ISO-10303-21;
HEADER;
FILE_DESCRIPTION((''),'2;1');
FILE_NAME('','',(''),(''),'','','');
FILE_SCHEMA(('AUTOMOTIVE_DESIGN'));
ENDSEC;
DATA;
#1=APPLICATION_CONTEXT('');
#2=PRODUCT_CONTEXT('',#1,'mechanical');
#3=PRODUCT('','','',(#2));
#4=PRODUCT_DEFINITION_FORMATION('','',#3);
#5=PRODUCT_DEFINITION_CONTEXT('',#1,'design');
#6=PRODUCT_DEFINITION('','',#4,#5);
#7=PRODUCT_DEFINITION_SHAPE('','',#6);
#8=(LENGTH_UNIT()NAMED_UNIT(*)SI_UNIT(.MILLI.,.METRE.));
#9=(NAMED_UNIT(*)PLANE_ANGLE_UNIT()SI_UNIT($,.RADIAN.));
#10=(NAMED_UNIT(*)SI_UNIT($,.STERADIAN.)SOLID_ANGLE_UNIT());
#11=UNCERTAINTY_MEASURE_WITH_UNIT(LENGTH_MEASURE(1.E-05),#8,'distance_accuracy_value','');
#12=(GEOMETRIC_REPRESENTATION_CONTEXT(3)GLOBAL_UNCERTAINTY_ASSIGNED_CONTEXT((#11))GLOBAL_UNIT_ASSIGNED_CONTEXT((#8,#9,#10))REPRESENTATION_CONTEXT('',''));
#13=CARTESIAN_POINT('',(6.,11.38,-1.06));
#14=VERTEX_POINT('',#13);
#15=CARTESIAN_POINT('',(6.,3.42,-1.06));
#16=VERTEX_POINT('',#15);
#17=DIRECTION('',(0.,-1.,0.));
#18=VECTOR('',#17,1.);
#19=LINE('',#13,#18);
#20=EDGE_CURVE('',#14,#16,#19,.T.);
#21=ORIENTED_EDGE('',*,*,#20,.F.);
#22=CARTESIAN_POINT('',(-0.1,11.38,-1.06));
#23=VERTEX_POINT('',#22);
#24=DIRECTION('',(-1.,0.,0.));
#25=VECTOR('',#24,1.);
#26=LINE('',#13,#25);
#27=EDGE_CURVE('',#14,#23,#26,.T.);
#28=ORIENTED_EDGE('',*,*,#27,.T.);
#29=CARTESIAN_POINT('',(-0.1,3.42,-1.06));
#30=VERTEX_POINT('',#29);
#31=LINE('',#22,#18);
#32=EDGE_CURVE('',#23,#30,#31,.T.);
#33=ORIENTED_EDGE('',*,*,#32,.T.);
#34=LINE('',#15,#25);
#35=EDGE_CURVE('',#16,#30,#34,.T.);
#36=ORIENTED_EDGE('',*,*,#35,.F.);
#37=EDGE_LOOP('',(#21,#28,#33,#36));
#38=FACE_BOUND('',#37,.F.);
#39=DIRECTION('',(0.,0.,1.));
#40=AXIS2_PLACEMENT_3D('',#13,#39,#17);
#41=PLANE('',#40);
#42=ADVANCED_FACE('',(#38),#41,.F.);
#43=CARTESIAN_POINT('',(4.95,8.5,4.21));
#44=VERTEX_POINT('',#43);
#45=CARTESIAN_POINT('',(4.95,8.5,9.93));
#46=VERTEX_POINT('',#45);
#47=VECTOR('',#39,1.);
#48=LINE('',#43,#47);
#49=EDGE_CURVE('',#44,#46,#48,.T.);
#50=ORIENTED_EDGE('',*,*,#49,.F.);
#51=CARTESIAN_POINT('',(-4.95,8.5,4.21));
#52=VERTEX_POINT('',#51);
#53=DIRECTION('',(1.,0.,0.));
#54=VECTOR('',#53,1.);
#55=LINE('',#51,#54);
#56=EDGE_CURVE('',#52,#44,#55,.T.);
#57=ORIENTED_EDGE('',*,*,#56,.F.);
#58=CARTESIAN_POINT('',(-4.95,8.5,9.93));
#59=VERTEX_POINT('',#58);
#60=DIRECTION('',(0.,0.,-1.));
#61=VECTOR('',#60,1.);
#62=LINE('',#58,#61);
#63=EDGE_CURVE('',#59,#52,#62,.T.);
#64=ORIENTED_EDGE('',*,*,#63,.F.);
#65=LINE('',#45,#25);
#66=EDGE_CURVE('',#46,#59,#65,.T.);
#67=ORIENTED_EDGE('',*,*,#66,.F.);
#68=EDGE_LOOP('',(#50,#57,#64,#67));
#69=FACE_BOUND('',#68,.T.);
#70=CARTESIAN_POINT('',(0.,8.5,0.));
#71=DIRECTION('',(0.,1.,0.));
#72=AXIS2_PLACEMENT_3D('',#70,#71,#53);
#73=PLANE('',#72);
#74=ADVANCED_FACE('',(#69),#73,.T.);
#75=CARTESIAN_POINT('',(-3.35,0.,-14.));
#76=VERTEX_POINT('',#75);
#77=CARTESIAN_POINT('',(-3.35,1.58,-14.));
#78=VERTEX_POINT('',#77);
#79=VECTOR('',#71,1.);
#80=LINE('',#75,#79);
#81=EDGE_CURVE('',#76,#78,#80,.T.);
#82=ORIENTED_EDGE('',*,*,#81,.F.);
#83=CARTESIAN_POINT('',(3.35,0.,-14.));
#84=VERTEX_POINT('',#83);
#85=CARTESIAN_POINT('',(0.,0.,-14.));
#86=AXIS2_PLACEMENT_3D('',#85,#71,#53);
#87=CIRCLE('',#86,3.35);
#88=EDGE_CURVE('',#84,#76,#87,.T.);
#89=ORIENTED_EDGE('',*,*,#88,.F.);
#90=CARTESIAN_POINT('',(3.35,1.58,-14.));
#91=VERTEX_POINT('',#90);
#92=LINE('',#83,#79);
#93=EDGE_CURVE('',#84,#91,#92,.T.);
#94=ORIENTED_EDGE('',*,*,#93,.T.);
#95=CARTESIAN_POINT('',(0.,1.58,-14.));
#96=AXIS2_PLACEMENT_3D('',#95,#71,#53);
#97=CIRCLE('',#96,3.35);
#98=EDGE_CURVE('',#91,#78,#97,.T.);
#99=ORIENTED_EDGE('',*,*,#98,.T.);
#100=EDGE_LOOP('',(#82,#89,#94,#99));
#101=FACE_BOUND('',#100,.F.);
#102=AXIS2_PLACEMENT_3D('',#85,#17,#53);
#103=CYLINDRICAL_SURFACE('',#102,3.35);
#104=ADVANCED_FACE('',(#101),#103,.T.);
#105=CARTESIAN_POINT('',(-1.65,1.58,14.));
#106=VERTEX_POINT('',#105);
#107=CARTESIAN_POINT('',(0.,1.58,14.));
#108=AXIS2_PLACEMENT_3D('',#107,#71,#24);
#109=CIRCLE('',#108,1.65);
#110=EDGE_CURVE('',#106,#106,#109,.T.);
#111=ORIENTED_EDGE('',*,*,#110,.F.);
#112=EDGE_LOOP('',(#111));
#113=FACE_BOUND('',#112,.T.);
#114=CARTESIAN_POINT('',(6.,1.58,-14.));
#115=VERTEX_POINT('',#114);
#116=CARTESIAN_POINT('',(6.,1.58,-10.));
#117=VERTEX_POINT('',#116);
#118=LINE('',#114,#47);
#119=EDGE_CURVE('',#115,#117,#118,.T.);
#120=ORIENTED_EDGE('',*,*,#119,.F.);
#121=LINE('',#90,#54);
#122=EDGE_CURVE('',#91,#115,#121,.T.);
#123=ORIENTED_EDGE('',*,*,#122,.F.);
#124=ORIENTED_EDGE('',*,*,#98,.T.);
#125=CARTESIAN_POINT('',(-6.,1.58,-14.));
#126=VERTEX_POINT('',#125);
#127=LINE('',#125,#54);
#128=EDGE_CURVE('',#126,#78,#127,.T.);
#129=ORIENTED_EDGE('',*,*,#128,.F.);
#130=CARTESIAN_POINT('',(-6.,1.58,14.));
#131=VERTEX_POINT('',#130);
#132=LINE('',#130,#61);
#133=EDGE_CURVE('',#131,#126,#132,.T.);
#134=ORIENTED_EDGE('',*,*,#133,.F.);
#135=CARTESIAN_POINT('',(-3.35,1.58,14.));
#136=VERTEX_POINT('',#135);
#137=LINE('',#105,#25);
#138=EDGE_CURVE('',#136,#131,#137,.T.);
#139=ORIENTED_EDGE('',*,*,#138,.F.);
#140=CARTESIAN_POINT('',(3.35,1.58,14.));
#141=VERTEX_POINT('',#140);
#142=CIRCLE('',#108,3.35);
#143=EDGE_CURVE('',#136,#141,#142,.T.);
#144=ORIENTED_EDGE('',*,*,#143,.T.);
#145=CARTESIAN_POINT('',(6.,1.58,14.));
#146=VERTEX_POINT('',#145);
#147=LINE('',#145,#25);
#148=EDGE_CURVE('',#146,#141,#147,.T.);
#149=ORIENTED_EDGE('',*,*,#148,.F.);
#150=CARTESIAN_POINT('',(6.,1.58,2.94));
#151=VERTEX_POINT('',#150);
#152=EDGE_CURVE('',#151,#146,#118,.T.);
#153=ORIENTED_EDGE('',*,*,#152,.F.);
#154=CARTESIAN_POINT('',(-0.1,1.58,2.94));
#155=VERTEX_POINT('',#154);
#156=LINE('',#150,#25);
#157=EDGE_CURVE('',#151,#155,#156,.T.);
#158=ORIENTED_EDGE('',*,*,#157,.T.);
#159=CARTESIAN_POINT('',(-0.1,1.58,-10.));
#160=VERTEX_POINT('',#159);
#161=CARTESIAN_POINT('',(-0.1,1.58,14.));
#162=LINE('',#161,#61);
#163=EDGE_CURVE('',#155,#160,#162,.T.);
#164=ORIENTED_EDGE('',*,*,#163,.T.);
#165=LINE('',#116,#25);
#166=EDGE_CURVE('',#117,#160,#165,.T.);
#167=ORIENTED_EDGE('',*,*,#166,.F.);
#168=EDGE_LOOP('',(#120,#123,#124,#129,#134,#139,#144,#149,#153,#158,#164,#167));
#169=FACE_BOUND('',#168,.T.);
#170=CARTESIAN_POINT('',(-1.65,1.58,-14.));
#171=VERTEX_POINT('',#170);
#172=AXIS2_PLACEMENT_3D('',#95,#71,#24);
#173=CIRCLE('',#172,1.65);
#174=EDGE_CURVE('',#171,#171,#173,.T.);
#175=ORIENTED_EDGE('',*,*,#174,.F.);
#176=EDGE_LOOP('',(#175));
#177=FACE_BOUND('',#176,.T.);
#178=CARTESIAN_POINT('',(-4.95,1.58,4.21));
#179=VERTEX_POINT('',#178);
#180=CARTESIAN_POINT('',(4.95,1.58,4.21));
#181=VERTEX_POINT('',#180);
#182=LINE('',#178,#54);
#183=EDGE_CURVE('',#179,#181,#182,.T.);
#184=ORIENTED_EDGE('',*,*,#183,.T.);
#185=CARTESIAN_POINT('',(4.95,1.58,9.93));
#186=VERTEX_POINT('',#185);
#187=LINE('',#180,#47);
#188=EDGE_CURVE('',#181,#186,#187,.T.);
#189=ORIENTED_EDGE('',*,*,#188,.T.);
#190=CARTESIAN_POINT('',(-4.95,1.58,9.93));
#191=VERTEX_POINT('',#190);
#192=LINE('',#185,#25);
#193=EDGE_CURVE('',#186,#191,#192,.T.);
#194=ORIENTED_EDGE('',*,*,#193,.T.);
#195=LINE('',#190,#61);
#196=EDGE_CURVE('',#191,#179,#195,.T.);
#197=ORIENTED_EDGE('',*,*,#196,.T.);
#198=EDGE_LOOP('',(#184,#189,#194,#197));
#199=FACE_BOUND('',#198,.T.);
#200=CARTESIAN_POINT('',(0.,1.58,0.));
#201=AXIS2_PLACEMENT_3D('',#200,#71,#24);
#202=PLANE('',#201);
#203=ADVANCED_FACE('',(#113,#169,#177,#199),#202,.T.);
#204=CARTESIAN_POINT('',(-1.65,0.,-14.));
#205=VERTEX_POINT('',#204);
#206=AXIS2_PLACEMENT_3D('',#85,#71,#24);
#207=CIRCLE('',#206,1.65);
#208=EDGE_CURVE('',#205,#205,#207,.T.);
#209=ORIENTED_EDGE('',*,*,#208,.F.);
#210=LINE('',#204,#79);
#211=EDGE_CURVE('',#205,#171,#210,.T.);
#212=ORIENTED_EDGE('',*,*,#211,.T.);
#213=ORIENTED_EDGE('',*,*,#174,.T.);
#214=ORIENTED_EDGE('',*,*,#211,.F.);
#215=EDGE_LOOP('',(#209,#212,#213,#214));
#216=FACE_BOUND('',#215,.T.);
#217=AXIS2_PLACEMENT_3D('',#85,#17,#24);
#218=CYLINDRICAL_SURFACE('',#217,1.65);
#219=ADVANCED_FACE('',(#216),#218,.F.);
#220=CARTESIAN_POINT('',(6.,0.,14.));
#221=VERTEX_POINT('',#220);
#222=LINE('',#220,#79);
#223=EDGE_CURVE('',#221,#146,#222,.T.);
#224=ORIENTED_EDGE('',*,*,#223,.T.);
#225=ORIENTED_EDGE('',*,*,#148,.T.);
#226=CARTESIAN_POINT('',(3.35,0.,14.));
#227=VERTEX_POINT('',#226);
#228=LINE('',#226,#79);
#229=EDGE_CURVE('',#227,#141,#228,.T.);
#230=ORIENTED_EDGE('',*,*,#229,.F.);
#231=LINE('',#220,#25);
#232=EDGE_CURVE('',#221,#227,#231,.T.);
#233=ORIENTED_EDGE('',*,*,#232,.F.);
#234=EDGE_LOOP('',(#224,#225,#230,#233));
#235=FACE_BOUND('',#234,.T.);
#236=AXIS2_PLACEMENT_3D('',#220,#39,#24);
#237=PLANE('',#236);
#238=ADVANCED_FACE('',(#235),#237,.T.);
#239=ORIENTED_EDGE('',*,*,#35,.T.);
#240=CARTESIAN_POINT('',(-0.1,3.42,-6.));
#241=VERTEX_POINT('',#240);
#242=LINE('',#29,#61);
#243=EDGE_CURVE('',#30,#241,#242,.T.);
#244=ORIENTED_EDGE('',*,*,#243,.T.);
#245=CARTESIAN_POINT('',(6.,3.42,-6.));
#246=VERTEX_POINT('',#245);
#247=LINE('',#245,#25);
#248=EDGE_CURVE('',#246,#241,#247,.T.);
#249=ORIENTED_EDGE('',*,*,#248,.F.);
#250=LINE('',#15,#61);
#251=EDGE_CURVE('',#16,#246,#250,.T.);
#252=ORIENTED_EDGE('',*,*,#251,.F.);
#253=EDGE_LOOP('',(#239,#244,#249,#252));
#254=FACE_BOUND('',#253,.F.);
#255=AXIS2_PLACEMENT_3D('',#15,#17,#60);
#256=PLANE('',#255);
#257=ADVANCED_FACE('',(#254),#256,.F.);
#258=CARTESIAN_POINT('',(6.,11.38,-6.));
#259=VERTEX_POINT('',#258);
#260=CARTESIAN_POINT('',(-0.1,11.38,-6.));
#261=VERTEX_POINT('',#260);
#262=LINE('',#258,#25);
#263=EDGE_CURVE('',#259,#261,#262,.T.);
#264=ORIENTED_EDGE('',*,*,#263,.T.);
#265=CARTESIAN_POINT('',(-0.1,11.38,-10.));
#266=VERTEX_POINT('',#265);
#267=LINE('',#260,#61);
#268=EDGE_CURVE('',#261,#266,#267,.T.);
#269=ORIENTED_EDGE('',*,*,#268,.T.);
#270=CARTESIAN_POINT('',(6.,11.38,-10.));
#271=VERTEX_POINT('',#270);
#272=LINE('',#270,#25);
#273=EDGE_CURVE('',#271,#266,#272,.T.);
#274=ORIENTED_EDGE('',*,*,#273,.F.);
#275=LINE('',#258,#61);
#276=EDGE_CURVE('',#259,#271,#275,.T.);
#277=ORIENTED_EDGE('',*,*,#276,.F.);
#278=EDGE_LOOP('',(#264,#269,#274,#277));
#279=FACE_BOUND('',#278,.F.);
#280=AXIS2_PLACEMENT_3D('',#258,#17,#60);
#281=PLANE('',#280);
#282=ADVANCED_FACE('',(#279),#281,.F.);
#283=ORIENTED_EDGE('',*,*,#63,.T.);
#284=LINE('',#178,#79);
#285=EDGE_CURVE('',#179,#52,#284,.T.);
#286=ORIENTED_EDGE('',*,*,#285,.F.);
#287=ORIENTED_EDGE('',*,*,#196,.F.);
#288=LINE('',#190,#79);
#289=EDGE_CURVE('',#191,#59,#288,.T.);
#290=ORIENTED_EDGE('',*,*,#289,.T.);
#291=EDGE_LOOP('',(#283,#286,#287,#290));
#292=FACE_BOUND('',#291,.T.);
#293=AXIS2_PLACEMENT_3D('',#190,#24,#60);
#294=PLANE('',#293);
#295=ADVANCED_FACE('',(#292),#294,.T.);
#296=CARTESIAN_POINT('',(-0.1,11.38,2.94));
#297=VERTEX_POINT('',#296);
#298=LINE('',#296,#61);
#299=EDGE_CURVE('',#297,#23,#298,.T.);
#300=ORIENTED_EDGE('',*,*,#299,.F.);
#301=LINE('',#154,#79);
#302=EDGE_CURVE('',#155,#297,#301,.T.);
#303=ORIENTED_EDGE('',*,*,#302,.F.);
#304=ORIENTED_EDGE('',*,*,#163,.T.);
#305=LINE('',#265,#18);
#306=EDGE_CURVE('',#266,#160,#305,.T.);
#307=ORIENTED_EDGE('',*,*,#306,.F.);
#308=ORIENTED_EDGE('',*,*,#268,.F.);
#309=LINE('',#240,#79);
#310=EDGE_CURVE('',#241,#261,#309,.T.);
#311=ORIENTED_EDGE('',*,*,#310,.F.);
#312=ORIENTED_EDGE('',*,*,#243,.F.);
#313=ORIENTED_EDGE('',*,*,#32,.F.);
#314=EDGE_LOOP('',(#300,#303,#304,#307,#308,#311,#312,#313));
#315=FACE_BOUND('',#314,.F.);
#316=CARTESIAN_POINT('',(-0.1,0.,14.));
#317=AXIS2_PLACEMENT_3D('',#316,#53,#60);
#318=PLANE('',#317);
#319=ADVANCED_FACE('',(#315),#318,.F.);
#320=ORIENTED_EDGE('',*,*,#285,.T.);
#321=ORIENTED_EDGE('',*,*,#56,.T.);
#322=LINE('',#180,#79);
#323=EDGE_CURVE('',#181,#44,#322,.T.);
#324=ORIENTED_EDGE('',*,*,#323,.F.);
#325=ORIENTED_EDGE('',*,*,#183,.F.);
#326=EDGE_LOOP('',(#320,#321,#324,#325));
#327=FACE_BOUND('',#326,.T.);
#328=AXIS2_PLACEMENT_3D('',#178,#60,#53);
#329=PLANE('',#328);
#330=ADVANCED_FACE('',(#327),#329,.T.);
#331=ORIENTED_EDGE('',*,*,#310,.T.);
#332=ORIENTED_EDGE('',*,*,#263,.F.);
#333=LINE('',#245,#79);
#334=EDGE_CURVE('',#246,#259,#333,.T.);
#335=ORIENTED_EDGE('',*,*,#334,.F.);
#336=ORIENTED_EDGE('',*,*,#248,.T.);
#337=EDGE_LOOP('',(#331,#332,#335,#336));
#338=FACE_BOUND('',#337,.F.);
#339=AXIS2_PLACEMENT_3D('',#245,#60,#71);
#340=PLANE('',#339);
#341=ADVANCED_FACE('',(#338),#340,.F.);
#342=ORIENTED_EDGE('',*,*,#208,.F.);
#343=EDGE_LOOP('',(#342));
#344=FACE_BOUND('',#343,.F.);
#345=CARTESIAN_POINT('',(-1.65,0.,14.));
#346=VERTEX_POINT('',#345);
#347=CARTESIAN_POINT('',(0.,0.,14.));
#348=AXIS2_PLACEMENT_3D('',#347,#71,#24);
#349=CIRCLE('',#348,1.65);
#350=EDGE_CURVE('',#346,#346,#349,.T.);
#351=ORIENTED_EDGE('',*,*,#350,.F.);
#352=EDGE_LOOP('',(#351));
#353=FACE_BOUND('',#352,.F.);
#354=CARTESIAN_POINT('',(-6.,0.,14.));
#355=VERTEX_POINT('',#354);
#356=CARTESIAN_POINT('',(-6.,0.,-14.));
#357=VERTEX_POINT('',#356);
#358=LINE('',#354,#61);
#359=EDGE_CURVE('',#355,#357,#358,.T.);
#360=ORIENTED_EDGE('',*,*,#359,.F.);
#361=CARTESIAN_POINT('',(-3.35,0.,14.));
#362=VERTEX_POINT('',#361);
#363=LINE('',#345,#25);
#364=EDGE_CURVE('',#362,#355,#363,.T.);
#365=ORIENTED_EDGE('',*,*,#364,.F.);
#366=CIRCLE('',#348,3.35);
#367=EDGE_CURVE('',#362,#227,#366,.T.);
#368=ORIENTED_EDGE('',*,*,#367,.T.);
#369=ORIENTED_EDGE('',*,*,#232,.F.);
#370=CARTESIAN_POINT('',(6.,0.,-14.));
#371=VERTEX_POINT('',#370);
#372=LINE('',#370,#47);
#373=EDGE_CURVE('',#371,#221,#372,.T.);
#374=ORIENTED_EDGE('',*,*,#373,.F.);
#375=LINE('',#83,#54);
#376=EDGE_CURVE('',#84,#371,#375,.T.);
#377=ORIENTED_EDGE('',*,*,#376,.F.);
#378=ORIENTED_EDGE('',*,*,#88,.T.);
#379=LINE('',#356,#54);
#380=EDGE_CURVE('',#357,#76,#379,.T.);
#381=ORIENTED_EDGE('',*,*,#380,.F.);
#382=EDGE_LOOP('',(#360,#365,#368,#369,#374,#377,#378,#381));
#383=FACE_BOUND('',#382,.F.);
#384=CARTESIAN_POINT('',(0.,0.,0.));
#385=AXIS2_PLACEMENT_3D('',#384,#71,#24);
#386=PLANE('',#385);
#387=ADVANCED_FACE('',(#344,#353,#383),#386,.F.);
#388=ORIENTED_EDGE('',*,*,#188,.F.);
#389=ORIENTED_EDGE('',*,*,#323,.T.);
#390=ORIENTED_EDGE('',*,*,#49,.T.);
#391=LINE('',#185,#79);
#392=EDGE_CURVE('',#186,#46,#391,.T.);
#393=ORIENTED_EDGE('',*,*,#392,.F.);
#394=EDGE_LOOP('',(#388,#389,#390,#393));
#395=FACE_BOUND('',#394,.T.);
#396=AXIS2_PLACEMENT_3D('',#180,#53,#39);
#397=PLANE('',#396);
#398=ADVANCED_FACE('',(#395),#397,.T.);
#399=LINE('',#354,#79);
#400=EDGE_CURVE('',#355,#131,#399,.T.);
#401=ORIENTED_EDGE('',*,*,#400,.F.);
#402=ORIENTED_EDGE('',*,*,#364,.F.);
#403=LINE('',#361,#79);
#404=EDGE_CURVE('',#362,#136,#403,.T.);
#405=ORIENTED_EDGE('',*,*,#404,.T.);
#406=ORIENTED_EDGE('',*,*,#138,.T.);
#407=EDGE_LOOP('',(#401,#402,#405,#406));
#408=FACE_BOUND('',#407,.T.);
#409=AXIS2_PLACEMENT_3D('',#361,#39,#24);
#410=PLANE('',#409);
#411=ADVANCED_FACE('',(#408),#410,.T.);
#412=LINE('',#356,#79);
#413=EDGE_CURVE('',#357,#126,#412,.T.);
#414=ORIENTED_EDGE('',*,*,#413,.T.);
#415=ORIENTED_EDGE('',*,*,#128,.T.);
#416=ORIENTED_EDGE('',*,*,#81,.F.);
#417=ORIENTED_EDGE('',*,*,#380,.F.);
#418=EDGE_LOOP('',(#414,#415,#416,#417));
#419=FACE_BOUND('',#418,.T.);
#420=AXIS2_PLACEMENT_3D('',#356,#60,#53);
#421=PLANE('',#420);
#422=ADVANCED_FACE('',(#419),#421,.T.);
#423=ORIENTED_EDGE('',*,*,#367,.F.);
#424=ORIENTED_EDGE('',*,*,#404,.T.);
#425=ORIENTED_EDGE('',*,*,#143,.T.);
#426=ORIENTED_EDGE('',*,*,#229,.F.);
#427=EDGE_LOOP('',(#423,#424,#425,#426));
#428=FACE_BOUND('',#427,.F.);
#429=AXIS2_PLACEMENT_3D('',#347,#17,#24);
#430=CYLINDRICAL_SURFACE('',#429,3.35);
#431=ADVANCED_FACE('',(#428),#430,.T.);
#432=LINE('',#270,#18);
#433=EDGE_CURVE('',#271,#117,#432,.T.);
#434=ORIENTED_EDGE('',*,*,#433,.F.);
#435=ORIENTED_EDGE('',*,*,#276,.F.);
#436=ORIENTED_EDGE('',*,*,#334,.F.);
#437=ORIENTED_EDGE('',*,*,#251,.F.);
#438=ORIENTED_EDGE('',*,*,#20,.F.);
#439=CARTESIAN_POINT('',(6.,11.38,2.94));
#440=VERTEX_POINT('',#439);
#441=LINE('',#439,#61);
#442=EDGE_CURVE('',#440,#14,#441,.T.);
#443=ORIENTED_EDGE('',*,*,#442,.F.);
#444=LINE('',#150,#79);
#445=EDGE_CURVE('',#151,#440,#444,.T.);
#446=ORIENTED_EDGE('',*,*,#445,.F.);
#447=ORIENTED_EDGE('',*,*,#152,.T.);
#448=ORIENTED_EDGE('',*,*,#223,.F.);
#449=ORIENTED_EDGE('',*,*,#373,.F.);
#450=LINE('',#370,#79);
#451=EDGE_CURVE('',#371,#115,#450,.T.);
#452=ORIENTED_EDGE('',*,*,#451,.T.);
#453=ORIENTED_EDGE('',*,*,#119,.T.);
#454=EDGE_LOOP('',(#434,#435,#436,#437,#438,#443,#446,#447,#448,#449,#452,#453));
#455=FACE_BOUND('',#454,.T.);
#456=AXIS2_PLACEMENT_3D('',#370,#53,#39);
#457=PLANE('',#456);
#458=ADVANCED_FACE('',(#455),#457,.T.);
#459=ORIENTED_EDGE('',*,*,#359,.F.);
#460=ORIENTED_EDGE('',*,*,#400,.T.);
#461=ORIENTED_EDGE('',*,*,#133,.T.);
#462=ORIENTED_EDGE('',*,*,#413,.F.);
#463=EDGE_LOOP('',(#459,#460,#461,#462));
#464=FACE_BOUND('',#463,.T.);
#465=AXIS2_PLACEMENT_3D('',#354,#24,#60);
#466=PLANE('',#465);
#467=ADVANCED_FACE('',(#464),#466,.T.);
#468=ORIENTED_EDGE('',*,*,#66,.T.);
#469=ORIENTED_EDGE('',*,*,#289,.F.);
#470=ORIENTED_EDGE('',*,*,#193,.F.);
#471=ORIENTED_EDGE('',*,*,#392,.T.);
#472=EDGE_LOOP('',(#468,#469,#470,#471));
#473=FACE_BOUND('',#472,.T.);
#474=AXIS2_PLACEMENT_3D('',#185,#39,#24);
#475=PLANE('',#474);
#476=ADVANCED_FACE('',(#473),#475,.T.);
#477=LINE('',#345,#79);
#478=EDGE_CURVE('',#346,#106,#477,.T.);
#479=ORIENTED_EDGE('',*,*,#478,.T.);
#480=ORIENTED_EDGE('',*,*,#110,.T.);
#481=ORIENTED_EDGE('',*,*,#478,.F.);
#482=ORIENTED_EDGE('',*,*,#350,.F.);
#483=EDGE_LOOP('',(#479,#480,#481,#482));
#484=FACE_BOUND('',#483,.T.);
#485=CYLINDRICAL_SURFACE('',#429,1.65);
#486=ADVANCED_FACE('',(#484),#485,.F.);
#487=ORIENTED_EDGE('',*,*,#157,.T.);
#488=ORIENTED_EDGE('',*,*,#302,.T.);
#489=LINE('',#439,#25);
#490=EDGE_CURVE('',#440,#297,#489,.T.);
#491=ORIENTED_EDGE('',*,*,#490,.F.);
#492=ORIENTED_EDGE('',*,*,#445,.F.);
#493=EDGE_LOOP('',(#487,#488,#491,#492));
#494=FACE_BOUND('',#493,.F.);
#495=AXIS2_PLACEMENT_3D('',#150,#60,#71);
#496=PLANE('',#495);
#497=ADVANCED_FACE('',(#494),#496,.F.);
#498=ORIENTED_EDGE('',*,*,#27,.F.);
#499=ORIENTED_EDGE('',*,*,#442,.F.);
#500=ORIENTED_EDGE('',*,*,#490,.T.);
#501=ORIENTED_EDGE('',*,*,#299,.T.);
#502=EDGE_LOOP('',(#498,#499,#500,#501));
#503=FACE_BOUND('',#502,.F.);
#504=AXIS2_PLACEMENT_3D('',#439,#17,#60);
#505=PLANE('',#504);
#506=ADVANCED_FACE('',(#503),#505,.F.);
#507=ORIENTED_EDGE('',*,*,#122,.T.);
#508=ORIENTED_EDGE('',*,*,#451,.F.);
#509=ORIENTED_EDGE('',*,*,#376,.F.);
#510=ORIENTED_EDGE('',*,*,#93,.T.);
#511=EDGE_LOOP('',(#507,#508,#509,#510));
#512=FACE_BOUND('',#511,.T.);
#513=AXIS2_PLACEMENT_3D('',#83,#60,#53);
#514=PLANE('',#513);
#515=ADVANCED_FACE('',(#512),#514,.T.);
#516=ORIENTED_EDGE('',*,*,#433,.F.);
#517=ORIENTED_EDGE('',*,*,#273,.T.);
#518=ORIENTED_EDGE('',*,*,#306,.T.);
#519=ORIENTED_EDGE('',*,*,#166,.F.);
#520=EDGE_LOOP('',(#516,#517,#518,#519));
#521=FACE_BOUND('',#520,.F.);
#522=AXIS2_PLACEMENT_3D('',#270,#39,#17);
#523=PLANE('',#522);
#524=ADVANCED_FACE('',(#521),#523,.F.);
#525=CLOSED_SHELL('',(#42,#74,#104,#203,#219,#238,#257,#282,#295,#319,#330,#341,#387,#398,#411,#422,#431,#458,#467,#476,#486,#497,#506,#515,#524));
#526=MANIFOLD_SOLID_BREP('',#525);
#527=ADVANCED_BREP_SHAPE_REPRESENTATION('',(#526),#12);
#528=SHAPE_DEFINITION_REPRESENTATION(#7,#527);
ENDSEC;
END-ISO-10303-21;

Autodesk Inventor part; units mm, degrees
ref_plane "YZ Plane" through (0, 0, 0) normal (1, 0, 0) x (0, 1, 0)
ref_plane "XZ Plane" through (0, 0, 0) normal (0, 1, 0) x (-1, 0, 0)
ref_plane "XY Plane" through (0, 0, 0) normal (0, 0, 1) x (1, 0, 0)
sketch "草圖1" plane through (0, 0, 0) normal (0, 1, 0) x (-1, 0, 0)
  line L0 (6, 14) -> (6, -14)
  line L1 (-6, -14) -> (-6, 14)
  line L2 (-6, 14) -> (6, -14) construction
  line L3 (6, 14) -> (-6, -14) construction
  circle A0 centre (0, 14) radius 1.65
  circle A1 centre (0, -14) radius 1.65
  arc A2 (-3.35, -14) -> (3.35, -14) centre (0, -14) ccw
  arc A3 (3.35, 14) -> (-3.35, 14) centre (0, 14) ccw
  line L4 (-6, 14) -> (-3.35, 14)
  line L5 (1.65, 14) -> (6, 14)
  line L6 (6, -14) -> (3.35, -14)
  line L7 (-3.35, -14) -> (-6, -14)
  point P0 (0, 0)
  dimension "d2" = 3.3
  dimension "d0" = 12
  dimension "d1" = 28
  dimension "d3" = 3.3
  dimension "d4" = 6.7
  dimension "d5" = 6.7
extrude "擠出1" add sketch "草圖1" along normal blind 1.58
sketch "草圖2" plane through (6, 0, 14) normal (1, 0, 0) x (0, 0, -1)
  line L0 (0, 0) -> (28, 0) projected
  line L1 (28, 0) -> (28, 1.58) projected
  line L2 (0, 1.58) -> (28, 1.58) projected
  line L3 (0, 0) -> (0, 1.58) projected
  line L4 (11.06, 1.58) -> (11.06, 11.38)
  line L5 (11.06, 11.38) -> (15.06, 11.38)
  line L6 (15.06, 11.38) -> (15.06, 3.42)
  line L7 (15.06, 3.42) -> (20, 3.42)
  line L8 (20, 3.42) -> (20, 11.38)
  line L9 (20, 11.38) -> (24, 11.38)
  line L10 (24, 11.38) -> (24, 1.58)
  point P0 (14, 0)
  dimension "d8" = 12.94
  dimension "d9" = 4
  dimension "d10" = 4
  dimension "d11" = 4
  dimension "d12" = 7.96
  dimension "d13" = 9.8
extrude "擠出2" add sketch "草圖2" against normal blind 6.1 contours L4 L5 L6 L7 L8 L9 L10 L2
sketch "草圖3" plane through (0, 1.58, 0) normal (0, 1, 0) x (1, 0, 0)
  line L0 (4.95, -9.93) -> (-4.95, -9.93)
  line L1 (-4.95, -9.93) -> (-4.95, -4.21)
  line L2 (-4.95, -4.21) -> (4.95, -4.21)
  line L3 (4.95, -4.21) -> (4.95, -9.93)
  line L4 (4.95, -9.93) -> (-4.95, -4.21) construction
  line L5 (-4.95, -9.93) -> (4.95, -4.21) construction
  line L6 (6, -2.94) -> (-0.1, -2.94) projected
  line L7 (0, 0) -> (0, -12.3322) construction
  point P0 (0, -7.07)
  dimension "d16" = 1.27
  dimension "d17" = 5.72
  dimension "d18" = 9.9
extrude "擠出3" add sketch "草圖3" along normal blind 6.92
properties part number "optic endstop module"
